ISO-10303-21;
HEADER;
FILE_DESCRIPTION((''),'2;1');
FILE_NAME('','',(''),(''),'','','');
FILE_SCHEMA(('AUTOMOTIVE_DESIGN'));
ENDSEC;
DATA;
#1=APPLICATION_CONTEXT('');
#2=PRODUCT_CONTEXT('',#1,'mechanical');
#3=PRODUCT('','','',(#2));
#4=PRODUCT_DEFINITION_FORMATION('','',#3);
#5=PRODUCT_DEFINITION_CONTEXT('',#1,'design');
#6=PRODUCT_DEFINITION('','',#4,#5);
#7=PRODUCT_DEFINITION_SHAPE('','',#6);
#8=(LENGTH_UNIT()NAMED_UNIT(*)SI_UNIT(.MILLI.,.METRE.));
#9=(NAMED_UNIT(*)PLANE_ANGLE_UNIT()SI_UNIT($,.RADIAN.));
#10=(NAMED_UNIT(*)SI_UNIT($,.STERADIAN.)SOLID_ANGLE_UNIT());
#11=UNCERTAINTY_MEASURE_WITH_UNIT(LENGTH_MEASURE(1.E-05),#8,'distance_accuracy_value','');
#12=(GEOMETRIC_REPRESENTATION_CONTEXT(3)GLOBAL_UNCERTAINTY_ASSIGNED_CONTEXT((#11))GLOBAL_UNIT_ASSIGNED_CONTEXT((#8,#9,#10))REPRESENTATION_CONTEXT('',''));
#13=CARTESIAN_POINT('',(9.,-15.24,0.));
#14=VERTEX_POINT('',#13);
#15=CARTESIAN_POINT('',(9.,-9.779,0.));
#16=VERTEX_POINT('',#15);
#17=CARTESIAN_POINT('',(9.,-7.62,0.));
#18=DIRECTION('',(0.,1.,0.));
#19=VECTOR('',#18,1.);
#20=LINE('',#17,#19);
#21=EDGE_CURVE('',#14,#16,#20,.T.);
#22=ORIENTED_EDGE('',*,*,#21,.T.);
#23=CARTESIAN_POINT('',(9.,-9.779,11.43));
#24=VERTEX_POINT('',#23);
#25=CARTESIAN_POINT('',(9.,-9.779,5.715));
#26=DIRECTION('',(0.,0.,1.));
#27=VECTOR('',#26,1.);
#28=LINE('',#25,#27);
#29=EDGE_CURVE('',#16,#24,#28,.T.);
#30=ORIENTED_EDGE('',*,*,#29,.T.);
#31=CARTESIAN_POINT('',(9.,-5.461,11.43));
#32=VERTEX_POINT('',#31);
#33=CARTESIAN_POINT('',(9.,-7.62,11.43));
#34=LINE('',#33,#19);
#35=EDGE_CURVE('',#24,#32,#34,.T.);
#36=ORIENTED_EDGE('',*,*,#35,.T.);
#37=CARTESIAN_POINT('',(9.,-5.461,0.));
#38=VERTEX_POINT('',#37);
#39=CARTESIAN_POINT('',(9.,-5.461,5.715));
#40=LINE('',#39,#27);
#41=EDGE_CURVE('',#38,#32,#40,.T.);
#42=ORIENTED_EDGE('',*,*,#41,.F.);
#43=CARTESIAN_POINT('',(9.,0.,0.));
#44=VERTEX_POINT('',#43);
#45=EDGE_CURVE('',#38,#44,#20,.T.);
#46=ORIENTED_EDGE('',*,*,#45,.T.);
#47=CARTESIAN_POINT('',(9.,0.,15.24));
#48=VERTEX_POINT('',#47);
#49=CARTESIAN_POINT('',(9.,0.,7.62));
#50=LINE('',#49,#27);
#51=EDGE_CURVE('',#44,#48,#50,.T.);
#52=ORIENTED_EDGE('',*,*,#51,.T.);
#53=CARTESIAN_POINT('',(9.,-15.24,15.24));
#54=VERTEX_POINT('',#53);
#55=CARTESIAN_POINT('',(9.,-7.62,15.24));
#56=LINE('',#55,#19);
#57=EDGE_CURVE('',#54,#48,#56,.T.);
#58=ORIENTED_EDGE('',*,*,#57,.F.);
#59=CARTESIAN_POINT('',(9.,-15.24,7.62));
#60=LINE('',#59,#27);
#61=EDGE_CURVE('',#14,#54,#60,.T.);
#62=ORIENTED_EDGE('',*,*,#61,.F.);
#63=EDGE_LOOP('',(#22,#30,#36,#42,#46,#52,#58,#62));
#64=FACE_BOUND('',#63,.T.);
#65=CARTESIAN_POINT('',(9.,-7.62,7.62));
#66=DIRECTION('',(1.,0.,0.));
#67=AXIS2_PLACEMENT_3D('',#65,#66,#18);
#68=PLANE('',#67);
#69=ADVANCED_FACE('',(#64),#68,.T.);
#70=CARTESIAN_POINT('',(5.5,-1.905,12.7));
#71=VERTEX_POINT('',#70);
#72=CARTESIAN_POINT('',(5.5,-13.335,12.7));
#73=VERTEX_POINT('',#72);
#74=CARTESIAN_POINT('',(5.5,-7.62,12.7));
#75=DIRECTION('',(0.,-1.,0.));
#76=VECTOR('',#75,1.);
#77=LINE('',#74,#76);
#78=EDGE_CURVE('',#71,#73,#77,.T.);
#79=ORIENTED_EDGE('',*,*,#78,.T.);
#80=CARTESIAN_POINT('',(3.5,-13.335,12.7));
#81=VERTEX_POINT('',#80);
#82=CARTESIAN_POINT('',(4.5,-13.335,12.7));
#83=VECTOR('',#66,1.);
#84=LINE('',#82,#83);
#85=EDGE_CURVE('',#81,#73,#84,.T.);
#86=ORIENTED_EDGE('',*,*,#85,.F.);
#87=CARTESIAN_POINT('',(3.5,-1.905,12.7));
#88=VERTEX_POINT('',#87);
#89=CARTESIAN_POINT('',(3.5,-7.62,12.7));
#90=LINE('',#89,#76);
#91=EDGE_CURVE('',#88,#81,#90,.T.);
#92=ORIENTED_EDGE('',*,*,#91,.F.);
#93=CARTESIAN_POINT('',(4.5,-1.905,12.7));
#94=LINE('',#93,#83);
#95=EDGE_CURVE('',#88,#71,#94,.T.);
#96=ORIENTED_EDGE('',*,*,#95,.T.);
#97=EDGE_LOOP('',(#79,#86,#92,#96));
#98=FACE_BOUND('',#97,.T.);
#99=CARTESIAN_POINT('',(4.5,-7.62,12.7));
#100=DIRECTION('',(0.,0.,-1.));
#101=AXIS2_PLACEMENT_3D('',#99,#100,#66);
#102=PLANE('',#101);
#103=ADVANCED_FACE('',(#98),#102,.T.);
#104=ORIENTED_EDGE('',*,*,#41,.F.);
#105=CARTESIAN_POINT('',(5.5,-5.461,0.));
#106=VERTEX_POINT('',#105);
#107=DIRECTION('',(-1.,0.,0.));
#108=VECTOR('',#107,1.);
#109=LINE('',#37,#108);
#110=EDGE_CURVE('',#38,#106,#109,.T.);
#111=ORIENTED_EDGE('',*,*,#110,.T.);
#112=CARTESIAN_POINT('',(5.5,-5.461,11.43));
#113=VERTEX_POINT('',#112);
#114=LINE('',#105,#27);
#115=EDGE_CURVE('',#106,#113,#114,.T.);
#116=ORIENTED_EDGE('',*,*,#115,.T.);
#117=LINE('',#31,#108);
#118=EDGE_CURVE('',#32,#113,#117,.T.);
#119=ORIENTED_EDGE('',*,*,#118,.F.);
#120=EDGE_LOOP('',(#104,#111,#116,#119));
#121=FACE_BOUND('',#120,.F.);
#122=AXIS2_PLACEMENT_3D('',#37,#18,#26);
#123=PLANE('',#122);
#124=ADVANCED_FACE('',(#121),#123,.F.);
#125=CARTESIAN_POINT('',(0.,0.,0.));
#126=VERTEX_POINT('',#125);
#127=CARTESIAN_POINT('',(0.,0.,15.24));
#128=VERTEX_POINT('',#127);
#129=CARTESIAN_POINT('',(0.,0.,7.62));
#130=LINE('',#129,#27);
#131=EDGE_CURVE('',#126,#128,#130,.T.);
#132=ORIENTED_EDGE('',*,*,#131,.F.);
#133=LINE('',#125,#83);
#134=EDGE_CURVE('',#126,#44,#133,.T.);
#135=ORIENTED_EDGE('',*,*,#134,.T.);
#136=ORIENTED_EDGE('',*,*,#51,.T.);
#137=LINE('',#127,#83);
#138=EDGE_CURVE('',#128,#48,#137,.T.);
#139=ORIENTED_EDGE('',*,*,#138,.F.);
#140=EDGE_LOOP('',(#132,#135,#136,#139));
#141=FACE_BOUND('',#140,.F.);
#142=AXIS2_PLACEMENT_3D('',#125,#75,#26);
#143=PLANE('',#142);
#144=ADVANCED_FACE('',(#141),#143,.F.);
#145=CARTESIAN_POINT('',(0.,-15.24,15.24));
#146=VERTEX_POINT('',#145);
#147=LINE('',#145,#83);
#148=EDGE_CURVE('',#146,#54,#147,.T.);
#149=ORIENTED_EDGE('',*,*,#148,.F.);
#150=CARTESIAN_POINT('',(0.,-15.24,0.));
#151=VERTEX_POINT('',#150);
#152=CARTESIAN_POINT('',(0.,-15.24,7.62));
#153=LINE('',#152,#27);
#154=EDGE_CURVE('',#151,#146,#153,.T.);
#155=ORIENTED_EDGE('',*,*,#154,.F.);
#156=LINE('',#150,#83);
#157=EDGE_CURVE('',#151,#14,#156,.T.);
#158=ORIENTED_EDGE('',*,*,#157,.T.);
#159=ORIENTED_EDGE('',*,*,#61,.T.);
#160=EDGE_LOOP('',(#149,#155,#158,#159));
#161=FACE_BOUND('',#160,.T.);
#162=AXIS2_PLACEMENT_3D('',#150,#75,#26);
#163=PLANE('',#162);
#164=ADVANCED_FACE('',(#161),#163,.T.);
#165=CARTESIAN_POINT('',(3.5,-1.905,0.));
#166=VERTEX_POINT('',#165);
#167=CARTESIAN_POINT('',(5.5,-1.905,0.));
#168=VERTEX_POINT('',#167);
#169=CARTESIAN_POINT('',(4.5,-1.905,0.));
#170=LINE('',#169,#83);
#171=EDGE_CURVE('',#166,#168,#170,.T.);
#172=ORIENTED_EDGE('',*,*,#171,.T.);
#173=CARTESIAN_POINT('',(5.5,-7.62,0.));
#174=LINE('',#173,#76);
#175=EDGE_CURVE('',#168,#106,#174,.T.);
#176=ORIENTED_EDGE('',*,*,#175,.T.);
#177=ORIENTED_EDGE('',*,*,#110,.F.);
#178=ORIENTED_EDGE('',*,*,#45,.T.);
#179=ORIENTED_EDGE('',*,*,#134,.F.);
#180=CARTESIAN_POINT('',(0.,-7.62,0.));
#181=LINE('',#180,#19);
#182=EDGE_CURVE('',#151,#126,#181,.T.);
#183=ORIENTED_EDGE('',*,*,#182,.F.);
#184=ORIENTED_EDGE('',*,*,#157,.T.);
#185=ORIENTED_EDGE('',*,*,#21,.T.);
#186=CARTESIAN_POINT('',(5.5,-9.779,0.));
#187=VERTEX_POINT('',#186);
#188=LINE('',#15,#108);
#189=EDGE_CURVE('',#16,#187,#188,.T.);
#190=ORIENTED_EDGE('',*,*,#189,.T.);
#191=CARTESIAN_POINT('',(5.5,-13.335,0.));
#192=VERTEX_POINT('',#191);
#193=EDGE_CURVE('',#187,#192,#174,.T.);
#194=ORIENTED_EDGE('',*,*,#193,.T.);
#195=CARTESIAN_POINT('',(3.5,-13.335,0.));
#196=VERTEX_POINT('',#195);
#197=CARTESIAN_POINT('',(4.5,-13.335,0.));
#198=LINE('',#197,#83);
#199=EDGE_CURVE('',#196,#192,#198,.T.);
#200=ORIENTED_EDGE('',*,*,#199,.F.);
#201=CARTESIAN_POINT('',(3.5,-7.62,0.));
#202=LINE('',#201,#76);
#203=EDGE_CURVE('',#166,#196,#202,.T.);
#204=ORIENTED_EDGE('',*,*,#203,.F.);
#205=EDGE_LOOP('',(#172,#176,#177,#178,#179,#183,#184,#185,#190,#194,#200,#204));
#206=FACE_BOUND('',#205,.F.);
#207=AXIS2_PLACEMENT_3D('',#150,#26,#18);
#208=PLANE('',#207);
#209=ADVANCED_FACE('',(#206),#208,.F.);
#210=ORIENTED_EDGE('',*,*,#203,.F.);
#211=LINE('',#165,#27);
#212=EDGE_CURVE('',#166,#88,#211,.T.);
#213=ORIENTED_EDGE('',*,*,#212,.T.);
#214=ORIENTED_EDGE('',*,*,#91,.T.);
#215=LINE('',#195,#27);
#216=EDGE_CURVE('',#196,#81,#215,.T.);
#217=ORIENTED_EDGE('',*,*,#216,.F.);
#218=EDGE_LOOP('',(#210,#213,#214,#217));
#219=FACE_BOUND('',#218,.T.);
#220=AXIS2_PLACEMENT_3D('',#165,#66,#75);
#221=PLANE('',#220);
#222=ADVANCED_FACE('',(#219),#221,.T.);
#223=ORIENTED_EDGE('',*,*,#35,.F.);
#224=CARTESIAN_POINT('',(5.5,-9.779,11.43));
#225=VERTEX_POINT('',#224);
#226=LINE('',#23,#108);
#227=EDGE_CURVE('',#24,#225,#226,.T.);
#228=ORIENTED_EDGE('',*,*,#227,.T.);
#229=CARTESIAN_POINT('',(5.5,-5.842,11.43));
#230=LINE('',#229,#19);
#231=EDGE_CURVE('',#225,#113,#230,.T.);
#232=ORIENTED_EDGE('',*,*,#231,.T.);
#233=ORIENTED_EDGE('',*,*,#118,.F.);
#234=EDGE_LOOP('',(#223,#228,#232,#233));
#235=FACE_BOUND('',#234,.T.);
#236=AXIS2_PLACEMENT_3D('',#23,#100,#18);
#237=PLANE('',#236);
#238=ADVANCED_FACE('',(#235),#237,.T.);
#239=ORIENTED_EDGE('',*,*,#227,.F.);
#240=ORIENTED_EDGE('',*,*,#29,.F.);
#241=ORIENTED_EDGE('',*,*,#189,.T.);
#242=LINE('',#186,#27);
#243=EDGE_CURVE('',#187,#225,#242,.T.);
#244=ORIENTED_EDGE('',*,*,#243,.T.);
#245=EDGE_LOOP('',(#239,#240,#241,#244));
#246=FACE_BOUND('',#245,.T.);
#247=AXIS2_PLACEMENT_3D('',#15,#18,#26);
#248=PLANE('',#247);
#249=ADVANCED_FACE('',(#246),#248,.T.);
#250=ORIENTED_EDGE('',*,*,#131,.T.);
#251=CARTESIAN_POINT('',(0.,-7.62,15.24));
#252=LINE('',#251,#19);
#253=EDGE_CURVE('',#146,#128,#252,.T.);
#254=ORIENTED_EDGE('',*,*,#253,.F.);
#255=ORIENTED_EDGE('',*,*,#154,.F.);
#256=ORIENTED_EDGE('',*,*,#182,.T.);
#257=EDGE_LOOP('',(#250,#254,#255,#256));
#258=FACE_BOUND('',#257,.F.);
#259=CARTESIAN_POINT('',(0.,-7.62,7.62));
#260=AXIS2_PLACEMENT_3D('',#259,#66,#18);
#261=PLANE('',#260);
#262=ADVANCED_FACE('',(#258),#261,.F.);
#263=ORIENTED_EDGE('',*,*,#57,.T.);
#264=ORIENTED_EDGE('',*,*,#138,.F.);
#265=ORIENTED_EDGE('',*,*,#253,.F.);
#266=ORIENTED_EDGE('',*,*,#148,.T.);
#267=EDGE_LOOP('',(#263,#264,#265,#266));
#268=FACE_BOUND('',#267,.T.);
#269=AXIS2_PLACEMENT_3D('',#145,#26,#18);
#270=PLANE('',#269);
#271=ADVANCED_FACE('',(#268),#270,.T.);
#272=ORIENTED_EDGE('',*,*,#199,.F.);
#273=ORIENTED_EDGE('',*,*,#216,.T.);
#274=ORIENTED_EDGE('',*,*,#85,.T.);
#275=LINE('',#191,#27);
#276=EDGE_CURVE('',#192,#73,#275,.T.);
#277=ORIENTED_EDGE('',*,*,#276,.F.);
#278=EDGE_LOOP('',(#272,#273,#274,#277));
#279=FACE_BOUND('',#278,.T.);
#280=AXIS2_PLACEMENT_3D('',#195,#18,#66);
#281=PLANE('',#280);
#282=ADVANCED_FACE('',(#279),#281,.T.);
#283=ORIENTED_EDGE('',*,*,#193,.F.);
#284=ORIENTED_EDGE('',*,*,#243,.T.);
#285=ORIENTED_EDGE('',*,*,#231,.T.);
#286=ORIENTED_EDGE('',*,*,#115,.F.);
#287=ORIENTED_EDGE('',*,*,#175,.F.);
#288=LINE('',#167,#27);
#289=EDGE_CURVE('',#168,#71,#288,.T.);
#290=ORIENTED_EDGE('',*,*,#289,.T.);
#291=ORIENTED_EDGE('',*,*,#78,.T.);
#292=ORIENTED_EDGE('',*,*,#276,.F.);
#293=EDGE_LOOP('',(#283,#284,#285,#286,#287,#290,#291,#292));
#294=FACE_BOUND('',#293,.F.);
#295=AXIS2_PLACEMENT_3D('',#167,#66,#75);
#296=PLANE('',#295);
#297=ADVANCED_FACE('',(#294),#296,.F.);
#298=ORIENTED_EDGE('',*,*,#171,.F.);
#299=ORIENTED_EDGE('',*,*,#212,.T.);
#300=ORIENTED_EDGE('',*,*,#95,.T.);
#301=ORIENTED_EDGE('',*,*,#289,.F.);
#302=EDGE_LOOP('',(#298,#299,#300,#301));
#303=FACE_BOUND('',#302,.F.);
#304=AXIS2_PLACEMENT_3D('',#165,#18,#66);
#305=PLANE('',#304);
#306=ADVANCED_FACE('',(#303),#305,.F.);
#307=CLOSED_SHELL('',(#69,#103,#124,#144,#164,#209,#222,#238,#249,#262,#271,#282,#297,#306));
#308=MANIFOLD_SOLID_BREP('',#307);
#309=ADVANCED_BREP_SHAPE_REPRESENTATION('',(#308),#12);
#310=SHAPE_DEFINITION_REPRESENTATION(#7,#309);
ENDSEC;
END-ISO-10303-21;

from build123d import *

# Parameters (mm, degrees)
F0_W     = 15.24
F0_H     = 15.24
F1_DEPTH = 9
F2_W     = 2
F2_H     = 11.43
F3_DEPTH = 12.7
F4_W     = 4.318
F4_H     = 11.43
F5_DEPTH = 3.6


with BuildPart() as f1:
    # F0 (on Right) → F1 (new body)
    with BuildSketch(Plane.YZ):
        with Locations((-7.62, 7.62)):
            Rectangle(F0_W, F0_H)
    extrude(amount=F1_DEPTH)

    # F2 (on face) → F3 (cut)
    with BuildSketch(Plane(origin=(0, 0, 0), x_dir=(1, 0, 0), z_dir=(0, 0, -1))):
        with Locations((4.5, 7.62)):
            Rectangle(F2_W, F2_H)
    extrude(amount=-F3_DEPTH, mode=Mode.SUBTRACT)

    # F4 (on face) → F5 (cut)
    with BuildSketch(Plane.YZ.offset(9)):
        with Locations((-7.62, 5.715)):
            Rectangle(F4_W, F4_H)
    extrude(amount=-F5_DEPTH, mode=Mode.SUBTRACT)


solid = f1.part
